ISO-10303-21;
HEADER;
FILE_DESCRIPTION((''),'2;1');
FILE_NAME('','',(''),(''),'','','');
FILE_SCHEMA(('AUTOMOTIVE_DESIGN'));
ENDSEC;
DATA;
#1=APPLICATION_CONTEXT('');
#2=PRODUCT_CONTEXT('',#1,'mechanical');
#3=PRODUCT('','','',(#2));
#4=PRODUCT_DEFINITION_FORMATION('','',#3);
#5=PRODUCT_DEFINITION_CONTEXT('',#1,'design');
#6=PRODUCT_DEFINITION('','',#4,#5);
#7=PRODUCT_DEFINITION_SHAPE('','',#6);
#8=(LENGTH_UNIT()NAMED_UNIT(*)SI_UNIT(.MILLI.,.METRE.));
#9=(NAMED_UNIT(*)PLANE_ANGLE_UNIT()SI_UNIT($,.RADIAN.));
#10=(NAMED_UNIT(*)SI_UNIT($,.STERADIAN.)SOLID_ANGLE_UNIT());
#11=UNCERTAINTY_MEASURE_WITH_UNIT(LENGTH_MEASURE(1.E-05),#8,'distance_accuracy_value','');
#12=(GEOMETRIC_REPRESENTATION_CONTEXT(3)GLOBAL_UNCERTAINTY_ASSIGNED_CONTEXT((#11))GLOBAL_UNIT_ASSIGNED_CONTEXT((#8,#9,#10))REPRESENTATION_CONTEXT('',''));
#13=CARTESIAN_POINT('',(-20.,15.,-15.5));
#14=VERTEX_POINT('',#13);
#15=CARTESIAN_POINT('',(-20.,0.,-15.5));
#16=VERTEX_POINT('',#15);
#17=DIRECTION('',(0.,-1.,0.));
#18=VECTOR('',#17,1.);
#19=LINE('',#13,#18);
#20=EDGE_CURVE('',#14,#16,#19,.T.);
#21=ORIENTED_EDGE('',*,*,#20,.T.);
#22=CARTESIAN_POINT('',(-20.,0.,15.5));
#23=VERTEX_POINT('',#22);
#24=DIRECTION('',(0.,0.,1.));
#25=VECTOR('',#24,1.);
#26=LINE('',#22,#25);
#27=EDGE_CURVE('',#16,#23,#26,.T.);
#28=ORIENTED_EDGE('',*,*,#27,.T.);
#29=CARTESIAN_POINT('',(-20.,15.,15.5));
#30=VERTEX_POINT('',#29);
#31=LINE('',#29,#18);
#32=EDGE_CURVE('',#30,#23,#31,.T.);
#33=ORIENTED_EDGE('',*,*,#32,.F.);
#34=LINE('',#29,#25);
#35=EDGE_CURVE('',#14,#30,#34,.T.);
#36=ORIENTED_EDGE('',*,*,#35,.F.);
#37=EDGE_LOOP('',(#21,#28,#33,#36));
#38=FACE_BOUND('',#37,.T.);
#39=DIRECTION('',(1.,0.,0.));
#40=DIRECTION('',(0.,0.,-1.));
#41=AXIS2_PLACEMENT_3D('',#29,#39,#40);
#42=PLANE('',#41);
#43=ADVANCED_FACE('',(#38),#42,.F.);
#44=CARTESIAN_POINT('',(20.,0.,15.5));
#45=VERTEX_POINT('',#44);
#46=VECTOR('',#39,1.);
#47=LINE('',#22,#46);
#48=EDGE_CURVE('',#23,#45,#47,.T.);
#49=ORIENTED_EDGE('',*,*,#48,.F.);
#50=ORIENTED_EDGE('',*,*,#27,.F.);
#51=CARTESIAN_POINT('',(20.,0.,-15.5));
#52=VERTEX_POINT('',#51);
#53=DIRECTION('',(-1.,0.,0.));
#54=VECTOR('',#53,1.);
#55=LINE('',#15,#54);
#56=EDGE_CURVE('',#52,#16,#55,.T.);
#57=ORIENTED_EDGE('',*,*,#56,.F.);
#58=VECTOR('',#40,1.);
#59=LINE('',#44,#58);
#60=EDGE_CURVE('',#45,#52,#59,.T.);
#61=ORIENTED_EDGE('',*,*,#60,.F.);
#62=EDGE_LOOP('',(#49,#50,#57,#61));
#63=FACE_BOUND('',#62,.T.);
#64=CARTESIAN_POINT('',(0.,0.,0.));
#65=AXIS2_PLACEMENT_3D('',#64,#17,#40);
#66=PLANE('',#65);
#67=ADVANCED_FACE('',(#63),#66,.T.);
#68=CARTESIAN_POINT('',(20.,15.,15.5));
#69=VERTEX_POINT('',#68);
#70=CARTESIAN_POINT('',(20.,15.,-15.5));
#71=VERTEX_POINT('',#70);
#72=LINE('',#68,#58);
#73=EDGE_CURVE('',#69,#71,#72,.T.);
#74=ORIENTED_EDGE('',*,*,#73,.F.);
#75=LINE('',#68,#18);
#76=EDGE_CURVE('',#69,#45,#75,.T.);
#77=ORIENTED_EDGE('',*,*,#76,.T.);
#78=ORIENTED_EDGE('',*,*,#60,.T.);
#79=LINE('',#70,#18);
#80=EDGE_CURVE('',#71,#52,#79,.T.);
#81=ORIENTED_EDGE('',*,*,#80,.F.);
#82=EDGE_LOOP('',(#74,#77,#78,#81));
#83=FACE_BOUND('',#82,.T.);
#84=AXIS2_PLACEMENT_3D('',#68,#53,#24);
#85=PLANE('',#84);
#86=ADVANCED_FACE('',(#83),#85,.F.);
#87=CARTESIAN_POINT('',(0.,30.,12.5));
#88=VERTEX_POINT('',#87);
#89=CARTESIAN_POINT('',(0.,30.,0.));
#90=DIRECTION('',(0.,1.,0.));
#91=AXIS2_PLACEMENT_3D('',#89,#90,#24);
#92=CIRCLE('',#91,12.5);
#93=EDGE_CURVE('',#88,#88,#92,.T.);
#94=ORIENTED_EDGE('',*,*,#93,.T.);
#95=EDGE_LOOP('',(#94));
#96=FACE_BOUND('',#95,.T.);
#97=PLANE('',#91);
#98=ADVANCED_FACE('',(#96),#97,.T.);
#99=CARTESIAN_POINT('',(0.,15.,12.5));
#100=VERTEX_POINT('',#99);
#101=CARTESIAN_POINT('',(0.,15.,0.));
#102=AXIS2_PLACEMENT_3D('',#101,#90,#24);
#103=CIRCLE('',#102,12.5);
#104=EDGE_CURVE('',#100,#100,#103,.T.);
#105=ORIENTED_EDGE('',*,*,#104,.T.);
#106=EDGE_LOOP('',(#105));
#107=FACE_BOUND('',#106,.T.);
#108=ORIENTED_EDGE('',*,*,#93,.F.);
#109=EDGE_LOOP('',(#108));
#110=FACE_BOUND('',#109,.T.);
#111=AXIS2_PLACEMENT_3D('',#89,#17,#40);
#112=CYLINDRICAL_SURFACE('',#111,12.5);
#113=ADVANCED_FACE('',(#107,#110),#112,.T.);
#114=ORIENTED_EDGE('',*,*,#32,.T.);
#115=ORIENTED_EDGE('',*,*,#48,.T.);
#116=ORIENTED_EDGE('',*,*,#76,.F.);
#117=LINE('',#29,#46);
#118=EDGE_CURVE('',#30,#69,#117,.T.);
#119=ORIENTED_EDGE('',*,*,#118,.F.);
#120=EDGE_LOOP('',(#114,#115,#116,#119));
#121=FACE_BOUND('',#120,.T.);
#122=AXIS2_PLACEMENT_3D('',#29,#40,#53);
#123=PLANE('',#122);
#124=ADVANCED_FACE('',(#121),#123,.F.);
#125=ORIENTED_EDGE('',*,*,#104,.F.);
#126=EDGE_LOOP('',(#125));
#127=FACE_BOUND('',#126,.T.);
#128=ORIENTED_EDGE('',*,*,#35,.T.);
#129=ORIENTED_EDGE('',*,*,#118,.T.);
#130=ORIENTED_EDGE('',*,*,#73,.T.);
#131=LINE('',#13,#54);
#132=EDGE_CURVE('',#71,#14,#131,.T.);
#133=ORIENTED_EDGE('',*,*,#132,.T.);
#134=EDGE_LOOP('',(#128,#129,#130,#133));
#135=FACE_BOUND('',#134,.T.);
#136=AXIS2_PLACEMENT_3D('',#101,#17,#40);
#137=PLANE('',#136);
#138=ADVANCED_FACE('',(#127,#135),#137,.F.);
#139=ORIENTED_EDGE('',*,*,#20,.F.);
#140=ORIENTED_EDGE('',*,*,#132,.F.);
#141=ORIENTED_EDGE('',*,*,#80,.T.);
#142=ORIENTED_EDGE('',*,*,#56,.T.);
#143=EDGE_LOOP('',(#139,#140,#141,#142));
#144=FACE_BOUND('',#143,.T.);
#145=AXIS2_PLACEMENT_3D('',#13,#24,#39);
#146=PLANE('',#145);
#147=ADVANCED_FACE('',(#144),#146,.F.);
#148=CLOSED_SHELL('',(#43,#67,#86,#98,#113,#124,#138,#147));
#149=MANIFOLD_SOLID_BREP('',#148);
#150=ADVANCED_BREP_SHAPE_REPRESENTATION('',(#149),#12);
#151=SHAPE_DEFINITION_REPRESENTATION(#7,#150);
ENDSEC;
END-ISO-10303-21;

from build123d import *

# Parameters (mm, degrees)
SKETCH_1_W      = 40
SKETCH_1_H      = 31
EXTRUDE_1_DEPTH = 15
SKETCH_2_R      = 12.5
EXTRUDE_2_DEPTH = 15


with BuildPart() as part:
    # 草图1 → 凸台-拉伸1 (new body)
    with BuildSketch(Plane(origin=(0, 0, 0), x_dir=(1, 0, 0), z_dir=(0, 1, 0))):
        Rectangle(SKETCH_1_W, SKETCH_1_H)
    extrude(amount=EXTRUDE_1_DEPTH)

    # 草图2 → 凸台-拉伸2 (add)
    with BuildSketch(Plane(origin=(0, 15, 0), x_dir=(1, 0, 0), z_dir=(0, 1, 0))):
        with Locations(Location((0, 0, 0), (0, 0, 270))):
            Circle(SKETCH_2_R)
    extrude(amount=EXTRUDE_2_DEPTH)


solid = part.part
